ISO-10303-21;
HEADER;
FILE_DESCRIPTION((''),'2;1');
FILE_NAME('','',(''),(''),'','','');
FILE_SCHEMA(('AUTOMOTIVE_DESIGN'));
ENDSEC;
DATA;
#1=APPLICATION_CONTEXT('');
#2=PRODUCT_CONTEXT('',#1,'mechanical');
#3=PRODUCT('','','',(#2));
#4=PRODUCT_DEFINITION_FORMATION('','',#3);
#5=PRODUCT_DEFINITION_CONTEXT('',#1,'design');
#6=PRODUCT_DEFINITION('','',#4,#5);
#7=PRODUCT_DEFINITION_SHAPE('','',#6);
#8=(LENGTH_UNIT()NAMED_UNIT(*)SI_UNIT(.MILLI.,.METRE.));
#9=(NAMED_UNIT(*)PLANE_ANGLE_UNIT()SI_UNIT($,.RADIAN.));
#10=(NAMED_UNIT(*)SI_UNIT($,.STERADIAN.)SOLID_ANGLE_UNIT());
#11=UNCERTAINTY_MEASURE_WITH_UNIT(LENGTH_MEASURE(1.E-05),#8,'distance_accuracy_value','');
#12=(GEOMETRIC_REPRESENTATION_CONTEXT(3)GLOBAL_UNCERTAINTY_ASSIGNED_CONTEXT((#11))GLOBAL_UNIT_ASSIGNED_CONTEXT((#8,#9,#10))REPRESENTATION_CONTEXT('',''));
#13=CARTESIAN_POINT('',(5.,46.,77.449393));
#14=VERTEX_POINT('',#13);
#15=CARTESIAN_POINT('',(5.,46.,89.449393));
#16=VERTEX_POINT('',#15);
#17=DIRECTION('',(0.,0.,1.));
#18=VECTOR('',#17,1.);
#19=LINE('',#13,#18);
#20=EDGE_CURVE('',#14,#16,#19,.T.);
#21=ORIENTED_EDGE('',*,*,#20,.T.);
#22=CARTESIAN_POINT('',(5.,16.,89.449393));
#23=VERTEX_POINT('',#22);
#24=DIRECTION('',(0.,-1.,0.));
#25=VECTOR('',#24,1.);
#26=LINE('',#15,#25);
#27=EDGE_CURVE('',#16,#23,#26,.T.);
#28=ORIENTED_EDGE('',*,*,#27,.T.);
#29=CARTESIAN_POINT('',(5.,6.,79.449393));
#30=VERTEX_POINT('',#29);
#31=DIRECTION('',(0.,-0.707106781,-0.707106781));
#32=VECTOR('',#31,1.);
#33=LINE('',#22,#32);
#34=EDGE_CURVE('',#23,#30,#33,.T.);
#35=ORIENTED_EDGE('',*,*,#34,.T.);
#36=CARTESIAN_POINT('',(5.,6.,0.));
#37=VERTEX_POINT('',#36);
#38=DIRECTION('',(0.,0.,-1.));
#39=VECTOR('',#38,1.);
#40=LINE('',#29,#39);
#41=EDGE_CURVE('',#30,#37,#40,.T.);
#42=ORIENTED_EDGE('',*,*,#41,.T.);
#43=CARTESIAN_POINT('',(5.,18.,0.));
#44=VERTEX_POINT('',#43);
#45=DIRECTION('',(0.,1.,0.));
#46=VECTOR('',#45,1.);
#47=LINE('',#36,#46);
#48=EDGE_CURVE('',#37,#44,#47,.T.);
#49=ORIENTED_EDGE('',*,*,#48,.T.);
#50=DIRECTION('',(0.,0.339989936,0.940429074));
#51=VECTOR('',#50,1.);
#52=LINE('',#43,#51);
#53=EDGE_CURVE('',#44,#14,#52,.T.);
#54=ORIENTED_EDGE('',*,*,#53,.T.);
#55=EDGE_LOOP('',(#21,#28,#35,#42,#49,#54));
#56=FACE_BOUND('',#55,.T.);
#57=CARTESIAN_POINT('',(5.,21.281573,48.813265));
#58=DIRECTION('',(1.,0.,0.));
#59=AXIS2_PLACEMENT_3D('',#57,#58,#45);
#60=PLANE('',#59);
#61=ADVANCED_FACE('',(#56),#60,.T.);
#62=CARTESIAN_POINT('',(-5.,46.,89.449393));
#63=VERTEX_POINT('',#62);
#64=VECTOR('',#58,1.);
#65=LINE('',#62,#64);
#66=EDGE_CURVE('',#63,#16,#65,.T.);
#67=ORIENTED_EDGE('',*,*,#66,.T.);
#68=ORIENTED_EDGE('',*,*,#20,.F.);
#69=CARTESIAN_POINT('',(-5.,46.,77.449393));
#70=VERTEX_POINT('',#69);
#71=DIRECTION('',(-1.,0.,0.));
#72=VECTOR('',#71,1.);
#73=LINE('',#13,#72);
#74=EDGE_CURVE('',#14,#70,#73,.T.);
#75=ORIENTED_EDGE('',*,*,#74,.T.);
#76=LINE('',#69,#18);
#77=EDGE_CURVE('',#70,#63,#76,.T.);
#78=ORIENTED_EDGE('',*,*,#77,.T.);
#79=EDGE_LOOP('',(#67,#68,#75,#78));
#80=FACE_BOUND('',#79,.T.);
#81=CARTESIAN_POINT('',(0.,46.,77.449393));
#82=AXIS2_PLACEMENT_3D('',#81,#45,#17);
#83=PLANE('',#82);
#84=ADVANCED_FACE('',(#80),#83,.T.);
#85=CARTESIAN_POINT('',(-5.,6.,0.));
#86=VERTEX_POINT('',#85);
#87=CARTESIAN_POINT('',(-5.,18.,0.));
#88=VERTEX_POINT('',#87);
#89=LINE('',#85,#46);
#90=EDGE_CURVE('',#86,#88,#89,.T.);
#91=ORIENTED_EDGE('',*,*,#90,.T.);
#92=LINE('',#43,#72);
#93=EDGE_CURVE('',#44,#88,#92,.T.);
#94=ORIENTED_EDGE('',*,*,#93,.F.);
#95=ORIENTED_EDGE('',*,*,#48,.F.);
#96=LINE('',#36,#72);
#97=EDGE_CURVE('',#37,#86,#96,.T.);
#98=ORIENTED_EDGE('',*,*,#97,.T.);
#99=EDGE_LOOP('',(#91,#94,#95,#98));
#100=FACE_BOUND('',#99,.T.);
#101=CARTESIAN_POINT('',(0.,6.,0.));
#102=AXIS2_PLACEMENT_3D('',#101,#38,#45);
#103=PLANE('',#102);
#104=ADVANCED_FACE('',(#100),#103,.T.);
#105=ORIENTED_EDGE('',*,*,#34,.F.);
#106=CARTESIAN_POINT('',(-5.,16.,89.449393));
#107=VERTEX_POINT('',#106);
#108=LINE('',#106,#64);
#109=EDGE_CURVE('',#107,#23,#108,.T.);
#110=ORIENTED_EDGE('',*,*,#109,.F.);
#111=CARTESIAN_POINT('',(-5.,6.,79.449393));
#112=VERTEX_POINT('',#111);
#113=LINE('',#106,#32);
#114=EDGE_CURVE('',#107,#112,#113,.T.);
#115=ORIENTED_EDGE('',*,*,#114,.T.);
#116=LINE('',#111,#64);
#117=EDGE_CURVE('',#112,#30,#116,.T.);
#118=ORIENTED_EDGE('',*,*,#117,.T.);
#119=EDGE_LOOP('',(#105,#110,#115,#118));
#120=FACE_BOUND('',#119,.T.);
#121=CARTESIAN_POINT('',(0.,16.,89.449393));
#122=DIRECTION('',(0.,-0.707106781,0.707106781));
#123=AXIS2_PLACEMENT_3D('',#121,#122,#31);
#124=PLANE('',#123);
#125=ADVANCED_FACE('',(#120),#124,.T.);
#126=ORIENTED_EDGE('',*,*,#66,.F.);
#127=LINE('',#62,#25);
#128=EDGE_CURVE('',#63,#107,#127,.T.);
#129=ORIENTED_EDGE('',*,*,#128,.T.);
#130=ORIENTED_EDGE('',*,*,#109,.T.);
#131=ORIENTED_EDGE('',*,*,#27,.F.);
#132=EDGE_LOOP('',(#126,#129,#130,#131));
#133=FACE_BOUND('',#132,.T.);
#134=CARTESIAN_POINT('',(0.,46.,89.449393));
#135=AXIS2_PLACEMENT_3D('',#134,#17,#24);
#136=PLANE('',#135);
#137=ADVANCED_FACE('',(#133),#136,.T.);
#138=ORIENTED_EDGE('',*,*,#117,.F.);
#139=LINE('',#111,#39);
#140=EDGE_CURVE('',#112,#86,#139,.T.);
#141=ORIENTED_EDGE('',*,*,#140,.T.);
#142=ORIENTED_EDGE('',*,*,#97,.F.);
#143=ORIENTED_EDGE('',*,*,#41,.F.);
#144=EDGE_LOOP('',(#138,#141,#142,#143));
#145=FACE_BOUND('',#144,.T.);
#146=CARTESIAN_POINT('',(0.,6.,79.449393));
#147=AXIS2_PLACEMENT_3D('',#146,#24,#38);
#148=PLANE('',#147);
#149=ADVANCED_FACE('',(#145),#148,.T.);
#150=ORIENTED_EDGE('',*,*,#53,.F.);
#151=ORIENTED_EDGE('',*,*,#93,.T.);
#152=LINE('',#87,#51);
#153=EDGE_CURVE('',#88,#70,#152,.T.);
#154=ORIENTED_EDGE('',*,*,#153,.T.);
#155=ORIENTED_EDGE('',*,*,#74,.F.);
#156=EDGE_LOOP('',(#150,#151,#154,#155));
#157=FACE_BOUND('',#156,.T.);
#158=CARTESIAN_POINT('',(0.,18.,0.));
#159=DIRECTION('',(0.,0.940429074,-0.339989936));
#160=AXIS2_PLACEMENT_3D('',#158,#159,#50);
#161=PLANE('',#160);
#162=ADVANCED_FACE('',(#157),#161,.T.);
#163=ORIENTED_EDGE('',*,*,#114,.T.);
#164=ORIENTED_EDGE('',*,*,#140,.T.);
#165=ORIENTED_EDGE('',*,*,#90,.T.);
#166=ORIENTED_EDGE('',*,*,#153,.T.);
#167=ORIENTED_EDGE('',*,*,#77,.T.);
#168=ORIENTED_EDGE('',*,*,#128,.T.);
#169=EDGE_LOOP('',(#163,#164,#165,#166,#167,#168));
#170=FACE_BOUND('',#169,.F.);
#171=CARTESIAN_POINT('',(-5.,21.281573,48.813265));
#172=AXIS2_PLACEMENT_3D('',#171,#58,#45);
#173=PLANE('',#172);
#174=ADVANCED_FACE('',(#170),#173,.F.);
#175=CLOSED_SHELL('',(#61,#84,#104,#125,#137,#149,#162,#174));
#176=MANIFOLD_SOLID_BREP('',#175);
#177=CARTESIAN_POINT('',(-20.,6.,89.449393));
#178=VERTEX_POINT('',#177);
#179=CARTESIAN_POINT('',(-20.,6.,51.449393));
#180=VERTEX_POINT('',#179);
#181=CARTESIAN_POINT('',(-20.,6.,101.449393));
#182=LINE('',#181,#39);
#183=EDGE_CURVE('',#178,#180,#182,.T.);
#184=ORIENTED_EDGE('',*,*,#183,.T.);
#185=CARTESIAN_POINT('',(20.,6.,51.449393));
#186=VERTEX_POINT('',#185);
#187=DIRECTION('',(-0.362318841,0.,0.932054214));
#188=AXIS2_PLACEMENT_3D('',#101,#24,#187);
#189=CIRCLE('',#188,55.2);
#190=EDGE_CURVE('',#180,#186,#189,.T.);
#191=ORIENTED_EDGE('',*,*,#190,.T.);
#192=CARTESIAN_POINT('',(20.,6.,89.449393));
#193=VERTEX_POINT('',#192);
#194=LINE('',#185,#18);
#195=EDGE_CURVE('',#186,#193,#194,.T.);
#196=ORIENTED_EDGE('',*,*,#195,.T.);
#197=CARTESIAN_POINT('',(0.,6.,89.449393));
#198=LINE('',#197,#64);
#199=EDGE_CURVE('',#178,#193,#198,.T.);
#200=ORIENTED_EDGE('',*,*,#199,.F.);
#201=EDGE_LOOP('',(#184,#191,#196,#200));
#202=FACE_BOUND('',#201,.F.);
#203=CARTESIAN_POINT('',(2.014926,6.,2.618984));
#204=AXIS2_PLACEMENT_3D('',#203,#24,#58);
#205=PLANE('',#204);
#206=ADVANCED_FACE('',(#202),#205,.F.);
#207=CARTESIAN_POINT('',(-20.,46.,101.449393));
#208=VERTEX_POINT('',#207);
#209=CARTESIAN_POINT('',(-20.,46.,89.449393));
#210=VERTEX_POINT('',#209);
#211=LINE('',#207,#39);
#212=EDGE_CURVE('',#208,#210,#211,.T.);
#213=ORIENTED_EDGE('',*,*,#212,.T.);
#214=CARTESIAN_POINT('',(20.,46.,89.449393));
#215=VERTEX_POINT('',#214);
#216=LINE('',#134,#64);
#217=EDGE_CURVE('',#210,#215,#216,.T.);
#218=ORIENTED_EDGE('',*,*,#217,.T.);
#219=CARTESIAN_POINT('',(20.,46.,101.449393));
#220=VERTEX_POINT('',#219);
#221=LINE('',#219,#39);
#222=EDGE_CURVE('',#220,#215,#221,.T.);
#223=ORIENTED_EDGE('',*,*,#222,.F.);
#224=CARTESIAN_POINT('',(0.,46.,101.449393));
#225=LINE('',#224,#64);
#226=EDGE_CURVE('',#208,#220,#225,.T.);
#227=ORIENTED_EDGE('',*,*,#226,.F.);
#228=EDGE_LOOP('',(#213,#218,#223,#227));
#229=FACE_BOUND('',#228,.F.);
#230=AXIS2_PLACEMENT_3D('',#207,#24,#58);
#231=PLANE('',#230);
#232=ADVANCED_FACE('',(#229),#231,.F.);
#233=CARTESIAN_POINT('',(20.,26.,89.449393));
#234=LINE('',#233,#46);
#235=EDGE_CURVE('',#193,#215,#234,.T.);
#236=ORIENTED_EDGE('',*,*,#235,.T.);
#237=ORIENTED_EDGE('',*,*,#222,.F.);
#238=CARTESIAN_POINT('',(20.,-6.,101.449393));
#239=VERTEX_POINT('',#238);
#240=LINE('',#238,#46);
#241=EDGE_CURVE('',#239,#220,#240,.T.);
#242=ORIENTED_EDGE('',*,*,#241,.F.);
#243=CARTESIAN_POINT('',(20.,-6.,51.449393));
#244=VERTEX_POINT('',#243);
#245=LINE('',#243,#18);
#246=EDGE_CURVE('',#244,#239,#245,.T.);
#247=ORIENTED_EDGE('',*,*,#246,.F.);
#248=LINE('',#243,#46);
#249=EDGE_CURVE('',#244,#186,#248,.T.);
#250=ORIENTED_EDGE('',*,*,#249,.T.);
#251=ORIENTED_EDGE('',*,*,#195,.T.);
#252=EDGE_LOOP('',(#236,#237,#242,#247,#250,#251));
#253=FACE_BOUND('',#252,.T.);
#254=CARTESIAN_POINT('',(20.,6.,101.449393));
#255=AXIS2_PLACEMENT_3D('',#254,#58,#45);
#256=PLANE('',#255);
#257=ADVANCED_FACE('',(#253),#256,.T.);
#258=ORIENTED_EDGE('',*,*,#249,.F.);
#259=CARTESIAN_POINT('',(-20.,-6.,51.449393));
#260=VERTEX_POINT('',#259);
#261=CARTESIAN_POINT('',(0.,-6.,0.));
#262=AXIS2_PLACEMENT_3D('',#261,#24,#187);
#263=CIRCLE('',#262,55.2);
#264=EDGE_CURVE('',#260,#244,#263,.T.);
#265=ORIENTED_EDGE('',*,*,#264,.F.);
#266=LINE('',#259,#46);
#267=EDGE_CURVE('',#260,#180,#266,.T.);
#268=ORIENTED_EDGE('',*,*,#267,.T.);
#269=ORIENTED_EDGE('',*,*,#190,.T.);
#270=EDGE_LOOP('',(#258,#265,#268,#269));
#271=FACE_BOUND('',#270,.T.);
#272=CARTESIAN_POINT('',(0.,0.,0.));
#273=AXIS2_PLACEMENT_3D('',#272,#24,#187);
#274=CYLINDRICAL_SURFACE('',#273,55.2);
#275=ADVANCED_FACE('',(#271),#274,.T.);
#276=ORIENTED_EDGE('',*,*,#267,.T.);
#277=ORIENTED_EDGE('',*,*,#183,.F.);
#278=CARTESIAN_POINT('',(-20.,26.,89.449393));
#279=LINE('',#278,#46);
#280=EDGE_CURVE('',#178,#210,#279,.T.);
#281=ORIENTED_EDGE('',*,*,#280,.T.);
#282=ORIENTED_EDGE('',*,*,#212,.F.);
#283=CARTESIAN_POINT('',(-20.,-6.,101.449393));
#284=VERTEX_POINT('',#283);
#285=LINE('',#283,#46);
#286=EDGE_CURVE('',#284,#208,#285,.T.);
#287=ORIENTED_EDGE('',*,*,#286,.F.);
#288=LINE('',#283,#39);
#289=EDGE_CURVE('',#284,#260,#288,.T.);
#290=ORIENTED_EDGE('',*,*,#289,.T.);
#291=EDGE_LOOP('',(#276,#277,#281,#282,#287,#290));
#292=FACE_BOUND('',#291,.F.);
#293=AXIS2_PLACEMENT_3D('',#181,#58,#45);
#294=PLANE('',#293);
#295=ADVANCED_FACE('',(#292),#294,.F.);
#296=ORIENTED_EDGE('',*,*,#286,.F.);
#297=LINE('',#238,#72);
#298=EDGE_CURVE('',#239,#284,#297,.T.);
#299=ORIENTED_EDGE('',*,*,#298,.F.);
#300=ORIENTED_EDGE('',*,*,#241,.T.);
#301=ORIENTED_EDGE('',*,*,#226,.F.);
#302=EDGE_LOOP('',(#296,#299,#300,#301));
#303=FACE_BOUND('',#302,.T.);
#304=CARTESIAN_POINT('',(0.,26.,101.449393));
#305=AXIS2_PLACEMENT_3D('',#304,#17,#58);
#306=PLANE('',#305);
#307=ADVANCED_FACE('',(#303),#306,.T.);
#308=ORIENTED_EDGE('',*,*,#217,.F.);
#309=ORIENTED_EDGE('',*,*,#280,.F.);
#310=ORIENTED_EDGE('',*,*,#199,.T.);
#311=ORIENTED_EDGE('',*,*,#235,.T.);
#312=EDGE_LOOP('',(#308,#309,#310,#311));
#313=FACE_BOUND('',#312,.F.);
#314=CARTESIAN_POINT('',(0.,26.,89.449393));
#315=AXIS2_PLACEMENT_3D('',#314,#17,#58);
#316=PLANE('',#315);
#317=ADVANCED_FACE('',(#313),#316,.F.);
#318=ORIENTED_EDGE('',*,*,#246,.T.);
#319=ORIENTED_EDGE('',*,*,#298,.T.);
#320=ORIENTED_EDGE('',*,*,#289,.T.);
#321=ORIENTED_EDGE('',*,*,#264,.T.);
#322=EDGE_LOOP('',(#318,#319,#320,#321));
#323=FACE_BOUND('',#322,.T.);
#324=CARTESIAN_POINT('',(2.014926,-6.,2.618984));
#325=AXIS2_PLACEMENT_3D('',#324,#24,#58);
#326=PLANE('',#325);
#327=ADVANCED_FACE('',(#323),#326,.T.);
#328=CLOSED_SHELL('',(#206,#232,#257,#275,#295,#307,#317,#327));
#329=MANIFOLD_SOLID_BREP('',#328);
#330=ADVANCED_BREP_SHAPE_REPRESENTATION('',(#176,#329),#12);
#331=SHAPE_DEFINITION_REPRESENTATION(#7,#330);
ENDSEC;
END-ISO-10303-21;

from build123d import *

# Parameters (mm, degrees)
F1_DEPTH = 6
F2_W     = 40
F2_H     = 40
F3_DEPTH = 12
F5_DEPTH = 5


with BuildPart() as f1:
    # F0 (on Front) → F1 (new body, symmetric)
    with BuildSketch(Plane.XZ):
        with BuildLine():
            ThreePointArc((-20, 51.4493926106), (-31.169215582, -45.5578752797), (55.2, 0))
            ThreePointArc((55.2, 0), (45.5578752797, 31.169215582), (20, 51.4493926106))
            Line((20, 51.4493926106), (-20, 51.4493926106))
        make_face()
        with BuildLine():
            Line((-20, 51.4493926106), (20, 51.4493926106))
            ThreePointArc((20, 51.4493926106), (0, 55.2), (-20, 51.4493926106))
        make_face()
        with BuildLine():
            ThreePointArc((-20, 51.4493926106), (0, 55.2), (20, 51.4493926106))
            Line((20, 51.4493926106), (20, 101.4493926106))
            Line((20, 101.4493926106), (-20, 101.4493926106))
            Line((-20, 101.4493926106), (-20, 51.4493926106))
        make_face()
    extrude(amount=F1_DEPTH, both=True)

    # F2 (on face) → F3 (join)
    with BuildSketch(Plane.XY.offset(101.4493926106)):
        with Locations((0, 26)):
            Rectangle(F2_W, F2_H)
    extrude(amount=-F3_DEPTH)


with BuildPart() as f5:
    # F4 (on Right) → F5 (new body, symmetric)
    with BuildSketch(Plane.YZ):
        Polygon((46, 77.4493926106), (46, 89.4493926106), (16, 89.4493926106), (6, 79.4493926106), (6, 0), (18, 0), align=None)
    extrude(amount=F5_DEPTH, both=True)


solid = Compound([f1.part, f5.part])
